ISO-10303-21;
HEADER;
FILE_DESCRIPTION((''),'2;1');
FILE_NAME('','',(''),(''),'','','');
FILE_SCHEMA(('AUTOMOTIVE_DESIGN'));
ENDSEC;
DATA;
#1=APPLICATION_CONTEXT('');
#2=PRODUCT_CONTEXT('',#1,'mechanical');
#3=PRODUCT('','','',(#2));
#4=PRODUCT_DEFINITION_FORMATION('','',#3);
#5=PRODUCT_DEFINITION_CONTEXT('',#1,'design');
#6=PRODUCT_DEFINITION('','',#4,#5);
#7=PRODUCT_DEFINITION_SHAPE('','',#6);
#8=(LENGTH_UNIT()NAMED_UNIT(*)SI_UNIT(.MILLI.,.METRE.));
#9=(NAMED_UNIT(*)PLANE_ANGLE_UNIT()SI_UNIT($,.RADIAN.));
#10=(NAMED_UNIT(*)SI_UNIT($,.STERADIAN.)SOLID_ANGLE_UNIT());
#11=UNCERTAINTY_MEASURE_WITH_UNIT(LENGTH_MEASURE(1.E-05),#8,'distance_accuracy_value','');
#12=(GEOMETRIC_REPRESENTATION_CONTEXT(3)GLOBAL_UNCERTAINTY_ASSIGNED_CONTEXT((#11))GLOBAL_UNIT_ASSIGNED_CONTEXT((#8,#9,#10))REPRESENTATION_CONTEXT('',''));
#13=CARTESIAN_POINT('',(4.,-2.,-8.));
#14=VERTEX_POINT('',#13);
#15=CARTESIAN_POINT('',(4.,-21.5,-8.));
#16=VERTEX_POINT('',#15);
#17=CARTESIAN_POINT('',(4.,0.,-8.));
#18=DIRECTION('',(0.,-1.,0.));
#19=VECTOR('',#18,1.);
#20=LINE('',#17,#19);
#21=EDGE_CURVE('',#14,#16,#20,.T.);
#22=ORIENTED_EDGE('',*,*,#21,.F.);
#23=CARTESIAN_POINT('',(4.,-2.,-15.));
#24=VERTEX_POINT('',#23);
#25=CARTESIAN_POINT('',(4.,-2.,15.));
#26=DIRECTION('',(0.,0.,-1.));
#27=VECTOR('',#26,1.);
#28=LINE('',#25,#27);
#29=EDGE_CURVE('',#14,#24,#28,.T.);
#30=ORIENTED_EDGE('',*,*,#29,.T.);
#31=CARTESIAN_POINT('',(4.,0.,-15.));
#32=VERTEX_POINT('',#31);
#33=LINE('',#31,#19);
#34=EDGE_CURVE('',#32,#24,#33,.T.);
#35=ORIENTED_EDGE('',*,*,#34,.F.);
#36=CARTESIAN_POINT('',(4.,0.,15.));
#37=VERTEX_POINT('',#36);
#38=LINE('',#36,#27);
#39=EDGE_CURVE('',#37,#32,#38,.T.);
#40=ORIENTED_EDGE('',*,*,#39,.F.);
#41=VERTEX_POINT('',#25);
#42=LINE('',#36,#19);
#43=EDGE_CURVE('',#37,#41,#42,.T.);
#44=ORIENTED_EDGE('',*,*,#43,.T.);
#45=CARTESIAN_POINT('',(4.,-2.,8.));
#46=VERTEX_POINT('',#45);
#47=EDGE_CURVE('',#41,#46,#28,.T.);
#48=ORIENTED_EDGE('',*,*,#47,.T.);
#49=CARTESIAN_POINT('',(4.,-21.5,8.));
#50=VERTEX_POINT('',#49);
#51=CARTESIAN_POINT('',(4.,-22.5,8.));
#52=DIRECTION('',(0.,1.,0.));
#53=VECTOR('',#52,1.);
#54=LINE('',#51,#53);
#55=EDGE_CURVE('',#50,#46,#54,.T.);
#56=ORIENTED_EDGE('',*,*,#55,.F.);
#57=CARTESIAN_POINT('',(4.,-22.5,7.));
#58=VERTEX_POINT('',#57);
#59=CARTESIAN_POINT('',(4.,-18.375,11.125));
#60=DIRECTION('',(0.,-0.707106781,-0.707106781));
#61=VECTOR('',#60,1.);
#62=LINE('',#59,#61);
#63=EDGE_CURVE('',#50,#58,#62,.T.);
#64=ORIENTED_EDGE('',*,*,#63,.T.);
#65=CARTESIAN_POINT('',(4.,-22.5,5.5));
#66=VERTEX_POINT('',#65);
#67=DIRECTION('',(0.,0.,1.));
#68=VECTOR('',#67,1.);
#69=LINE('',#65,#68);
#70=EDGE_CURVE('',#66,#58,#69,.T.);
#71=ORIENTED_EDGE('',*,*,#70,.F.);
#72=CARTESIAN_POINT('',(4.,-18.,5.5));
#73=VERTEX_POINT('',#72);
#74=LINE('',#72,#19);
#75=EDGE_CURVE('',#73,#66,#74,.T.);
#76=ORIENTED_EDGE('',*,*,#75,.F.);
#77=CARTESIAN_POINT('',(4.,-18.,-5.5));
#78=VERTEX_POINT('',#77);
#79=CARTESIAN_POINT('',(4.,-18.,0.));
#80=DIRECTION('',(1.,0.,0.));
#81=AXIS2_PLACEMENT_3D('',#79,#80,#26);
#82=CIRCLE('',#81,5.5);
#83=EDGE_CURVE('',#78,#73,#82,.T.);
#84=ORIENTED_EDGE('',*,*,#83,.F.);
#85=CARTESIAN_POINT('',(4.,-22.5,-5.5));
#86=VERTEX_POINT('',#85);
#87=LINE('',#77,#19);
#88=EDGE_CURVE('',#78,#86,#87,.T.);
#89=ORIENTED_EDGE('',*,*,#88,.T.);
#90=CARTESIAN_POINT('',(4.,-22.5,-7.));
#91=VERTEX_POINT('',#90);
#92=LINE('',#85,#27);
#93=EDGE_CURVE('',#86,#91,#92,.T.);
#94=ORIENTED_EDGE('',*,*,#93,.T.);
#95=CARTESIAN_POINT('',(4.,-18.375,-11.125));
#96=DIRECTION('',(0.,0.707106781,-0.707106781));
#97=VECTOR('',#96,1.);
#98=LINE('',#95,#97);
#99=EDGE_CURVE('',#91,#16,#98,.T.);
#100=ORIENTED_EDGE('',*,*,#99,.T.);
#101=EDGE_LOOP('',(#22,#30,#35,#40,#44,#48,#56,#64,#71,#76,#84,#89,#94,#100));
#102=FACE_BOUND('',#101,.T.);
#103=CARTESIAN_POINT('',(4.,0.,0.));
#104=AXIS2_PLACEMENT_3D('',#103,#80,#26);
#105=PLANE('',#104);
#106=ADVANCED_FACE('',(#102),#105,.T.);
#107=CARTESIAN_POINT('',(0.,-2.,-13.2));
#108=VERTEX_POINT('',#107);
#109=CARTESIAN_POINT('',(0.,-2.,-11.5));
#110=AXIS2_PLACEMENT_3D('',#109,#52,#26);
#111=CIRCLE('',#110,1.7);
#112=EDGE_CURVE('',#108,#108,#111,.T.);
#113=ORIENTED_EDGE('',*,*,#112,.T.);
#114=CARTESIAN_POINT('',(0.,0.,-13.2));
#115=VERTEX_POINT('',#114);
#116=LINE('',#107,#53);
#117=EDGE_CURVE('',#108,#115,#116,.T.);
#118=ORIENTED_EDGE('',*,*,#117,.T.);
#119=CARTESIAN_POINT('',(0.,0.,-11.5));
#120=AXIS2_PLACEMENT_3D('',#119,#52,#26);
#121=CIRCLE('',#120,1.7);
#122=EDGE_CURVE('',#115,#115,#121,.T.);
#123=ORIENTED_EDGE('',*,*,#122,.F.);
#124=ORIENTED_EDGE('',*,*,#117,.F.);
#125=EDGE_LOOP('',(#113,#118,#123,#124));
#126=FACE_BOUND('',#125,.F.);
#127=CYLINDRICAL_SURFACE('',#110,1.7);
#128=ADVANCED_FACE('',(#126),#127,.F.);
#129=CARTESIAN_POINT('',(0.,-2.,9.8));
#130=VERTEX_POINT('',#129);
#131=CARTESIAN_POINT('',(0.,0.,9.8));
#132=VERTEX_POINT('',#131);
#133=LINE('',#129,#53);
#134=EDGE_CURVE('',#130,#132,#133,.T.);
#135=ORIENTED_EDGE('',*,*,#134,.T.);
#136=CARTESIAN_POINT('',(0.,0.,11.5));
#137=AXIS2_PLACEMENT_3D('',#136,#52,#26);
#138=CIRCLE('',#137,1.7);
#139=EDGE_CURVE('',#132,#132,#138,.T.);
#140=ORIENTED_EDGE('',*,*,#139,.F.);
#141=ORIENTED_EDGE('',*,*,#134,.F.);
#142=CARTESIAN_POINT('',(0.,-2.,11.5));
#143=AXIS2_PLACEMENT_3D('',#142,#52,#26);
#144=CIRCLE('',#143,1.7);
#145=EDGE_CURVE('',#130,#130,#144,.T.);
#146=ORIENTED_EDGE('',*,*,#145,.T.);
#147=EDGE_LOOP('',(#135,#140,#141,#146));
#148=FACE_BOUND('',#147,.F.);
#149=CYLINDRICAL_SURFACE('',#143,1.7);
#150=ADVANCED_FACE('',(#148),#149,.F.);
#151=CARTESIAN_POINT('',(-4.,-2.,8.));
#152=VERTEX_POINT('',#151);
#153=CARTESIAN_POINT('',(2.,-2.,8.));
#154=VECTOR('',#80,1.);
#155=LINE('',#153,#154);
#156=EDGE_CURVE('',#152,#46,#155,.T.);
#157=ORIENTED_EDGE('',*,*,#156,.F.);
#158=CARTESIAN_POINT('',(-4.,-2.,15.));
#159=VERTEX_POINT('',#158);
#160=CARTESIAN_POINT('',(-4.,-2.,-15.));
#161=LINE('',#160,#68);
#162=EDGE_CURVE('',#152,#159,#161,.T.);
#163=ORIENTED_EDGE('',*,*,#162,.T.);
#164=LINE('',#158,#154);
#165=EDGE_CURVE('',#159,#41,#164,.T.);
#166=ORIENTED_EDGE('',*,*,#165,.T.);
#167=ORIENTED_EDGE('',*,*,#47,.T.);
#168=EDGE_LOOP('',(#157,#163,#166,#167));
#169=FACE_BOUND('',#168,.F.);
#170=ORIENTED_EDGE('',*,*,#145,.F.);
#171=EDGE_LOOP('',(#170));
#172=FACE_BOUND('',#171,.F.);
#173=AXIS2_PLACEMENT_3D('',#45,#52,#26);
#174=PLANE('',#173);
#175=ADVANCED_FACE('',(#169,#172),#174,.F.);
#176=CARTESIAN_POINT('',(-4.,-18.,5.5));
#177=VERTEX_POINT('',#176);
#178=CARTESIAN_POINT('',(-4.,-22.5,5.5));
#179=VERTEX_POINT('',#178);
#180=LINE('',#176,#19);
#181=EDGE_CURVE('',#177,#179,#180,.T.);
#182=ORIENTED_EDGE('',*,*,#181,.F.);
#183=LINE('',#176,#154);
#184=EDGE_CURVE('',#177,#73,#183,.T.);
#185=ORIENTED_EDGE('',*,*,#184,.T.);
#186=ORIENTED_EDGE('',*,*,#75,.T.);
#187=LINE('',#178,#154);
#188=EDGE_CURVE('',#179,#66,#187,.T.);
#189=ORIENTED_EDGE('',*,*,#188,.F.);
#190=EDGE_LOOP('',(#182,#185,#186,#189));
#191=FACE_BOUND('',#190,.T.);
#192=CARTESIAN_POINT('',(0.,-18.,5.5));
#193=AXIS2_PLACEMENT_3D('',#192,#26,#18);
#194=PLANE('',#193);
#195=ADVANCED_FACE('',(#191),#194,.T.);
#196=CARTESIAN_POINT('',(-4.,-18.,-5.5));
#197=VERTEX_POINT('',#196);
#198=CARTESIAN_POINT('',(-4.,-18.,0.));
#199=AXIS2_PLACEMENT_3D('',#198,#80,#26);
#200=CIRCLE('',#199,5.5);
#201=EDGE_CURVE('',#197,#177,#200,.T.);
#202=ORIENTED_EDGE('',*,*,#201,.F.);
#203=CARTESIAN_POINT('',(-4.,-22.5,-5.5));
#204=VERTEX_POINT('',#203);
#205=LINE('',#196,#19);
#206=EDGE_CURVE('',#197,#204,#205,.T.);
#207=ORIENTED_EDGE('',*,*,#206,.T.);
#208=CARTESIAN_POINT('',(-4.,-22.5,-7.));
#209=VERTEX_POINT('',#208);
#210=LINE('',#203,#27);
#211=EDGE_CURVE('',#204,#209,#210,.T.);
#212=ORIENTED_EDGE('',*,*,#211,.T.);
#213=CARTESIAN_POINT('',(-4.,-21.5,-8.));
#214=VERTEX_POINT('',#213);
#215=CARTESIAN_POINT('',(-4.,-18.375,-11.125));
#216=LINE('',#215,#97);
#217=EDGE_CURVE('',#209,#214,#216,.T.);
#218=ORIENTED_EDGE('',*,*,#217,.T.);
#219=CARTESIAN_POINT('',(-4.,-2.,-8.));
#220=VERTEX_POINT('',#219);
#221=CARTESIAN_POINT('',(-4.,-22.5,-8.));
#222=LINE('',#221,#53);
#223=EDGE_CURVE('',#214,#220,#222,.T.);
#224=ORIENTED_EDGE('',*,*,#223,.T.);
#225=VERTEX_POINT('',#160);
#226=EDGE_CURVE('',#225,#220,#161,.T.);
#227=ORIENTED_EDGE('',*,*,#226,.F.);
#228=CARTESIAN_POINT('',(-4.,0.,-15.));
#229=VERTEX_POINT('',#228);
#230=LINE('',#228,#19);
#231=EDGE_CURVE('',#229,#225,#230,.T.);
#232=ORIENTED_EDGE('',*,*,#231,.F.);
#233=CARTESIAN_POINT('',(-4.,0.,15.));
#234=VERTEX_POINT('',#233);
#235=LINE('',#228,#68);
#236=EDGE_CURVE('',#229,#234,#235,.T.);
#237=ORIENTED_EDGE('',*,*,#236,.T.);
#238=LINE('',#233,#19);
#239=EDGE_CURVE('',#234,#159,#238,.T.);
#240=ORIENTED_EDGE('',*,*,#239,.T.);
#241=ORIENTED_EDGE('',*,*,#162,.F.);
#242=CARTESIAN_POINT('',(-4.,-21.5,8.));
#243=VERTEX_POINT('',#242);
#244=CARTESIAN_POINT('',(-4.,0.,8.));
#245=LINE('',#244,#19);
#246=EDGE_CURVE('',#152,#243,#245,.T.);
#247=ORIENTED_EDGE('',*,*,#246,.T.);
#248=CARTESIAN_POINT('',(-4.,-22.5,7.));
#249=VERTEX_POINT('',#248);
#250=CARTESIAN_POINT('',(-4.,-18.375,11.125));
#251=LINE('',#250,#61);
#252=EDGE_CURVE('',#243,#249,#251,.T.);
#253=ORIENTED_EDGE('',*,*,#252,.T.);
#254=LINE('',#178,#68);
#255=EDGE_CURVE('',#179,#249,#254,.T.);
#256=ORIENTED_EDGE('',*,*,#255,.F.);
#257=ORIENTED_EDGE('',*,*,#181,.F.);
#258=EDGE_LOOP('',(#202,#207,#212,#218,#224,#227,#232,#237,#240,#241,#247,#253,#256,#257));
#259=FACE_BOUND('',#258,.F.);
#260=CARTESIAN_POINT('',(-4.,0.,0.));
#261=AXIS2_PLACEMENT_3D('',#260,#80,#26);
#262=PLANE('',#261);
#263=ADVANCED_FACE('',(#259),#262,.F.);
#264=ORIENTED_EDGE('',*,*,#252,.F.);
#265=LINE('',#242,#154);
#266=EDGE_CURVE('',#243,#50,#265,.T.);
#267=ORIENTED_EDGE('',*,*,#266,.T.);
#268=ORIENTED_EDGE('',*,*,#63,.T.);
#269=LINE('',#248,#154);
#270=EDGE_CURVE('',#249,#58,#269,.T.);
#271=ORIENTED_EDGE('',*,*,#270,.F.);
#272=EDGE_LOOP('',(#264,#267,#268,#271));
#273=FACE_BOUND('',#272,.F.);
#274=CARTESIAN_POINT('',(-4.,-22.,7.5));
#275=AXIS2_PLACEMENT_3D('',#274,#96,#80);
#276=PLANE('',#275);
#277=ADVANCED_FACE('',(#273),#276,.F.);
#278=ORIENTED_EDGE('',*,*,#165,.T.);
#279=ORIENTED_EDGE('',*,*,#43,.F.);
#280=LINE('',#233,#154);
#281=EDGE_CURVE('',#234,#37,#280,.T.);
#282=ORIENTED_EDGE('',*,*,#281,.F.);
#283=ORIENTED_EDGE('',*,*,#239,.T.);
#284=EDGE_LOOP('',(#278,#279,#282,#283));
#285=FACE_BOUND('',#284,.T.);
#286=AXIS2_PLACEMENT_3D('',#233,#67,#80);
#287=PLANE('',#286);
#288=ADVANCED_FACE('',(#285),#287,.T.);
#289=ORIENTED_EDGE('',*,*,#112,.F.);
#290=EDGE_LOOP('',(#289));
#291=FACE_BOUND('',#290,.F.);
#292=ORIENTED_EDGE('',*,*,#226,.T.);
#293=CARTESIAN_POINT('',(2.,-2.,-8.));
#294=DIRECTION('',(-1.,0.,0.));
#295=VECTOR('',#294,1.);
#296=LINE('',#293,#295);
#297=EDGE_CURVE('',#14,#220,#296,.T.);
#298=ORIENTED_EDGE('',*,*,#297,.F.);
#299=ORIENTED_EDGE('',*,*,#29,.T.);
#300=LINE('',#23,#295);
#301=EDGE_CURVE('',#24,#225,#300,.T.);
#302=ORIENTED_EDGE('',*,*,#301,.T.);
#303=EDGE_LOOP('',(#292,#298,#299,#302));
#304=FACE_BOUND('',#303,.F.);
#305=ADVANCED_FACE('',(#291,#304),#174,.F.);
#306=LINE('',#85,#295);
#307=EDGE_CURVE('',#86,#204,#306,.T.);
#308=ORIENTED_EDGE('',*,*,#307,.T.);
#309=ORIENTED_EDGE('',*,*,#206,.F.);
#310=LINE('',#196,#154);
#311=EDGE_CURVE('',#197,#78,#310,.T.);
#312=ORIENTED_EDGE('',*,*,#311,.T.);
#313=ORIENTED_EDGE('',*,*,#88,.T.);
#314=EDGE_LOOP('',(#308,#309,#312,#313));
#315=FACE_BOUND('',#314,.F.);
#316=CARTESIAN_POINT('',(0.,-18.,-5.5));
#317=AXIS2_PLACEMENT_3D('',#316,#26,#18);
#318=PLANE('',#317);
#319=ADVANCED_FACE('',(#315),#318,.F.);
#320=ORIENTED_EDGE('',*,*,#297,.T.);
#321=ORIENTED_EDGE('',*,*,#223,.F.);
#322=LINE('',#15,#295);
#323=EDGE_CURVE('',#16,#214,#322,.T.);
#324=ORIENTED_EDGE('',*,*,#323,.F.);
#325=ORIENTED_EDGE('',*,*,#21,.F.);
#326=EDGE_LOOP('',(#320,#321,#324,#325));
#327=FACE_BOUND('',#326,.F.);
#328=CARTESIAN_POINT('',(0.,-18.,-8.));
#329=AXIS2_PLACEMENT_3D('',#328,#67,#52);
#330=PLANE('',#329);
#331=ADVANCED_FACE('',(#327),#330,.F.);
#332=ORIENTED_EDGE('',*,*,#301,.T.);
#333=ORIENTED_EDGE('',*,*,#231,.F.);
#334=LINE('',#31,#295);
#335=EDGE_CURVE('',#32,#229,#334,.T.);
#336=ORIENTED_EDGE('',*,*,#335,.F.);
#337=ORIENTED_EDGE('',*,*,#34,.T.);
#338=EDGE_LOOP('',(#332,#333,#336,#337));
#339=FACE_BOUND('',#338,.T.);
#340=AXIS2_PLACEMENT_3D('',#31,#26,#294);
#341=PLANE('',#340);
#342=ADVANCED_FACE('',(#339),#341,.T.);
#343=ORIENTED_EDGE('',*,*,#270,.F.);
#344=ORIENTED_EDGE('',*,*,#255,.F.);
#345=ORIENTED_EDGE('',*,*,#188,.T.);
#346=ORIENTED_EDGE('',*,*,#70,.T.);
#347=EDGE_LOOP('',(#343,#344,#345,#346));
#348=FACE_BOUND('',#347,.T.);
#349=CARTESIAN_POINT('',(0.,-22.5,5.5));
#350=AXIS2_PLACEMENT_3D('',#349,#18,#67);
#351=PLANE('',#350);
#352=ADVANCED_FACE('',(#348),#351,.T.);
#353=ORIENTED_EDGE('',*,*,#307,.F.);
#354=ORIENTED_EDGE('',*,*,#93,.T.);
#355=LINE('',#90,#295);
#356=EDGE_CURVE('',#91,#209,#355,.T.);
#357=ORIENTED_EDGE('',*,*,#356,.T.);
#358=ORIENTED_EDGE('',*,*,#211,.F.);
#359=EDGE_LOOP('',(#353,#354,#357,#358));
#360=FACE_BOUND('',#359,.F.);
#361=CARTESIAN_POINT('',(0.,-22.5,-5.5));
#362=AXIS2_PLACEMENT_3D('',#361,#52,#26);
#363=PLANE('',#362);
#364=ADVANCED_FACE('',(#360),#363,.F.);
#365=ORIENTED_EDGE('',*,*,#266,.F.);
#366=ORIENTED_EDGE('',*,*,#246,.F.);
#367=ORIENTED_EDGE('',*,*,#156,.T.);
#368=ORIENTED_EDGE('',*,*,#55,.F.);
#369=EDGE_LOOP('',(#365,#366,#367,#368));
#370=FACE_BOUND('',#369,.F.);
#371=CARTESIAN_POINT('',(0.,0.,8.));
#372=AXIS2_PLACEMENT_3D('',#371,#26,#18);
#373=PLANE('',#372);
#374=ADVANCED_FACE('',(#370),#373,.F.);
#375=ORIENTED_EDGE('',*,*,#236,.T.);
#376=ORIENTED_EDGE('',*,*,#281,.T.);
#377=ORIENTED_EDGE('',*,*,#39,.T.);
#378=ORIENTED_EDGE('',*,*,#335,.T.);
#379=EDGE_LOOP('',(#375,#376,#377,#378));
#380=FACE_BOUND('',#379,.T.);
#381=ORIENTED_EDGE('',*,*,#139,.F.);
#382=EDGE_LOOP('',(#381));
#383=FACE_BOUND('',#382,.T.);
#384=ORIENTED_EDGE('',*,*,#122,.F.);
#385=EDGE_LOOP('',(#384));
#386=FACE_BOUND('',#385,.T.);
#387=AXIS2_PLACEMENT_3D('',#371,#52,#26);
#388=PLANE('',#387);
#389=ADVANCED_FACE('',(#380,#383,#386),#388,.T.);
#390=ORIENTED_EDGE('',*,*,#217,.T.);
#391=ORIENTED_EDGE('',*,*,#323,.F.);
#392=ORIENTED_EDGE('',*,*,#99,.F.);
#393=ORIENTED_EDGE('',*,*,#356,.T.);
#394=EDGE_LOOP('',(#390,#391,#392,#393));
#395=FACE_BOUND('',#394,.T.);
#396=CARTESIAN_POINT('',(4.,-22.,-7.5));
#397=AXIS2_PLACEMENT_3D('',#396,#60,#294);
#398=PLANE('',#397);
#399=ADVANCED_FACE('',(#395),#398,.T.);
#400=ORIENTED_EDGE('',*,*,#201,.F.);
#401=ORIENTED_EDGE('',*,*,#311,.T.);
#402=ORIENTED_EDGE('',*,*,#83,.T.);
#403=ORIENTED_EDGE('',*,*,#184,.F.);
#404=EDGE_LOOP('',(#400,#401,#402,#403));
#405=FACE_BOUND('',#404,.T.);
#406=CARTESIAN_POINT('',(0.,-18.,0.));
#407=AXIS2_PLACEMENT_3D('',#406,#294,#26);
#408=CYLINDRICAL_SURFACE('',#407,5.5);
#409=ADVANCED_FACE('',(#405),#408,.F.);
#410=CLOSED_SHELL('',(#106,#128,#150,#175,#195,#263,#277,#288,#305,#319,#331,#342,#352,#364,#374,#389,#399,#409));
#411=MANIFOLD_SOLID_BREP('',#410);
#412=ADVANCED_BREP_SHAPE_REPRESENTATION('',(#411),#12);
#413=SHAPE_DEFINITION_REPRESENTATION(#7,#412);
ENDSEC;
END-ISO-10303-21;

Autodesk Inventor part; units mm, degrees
ref_plane "YZ Plane" through (0, 0, 0) normal (1, 0, 0) x (0, 1, 0)
ref_plane "XZ Plane" through (0, 0, 0) normal (0, 1, 0) x (-1, 0, 0)
ref_plane "XY Plane" through (0, 0, 0) normal (0, 0, 1) x (1, 0, 0)
sketch "Sketch2" plane through (0, 0, 0) normal (1, 0, 0) x (0, 0, -1)
  line L0 (0, 0) -> (0, -18) construction
  line L1 (-8, 0) -> (-8, -18)
  line L2 (8, -18) -> (8, 0)
  arc A0 (8, 0) -> (-8, 0) centre (0, 0) ccw construction
  arc A1 (-8, -18) -> (8, -18) centre (0, -18) ccw construction
  arc A2 (5.5, -18) -> (-5.5, -18) centre (0, -18) ccw
  circle A3 centre (0, -18) radius 4.5 construction
  line L3 (-8, 0) -> (8, 0)
  line L4 (8, -18) -> (5.5, -18)
  arc A4 (-5.5, -18) -> (0, -23.5) centre (0, -18) ccw construction
  arc A5 (0, -23.5) -> (5.5, -18) centre (0, -18) ccw construction
  line L5 (-5.5, -18) -> (-8, -18)
  line L6 (5.5, -18) -> (-5.5, -18) construction
  line L7 (8, -18) -> (5.5, -18)
  line L8 (5.5, -18) -> (5.5, -22.5)
  line L9 (5.5, -22.5) -> (8, -22.5)
  line L10 (8, -22.5) -> (8, -18)
  line L11 (-8, -18) -> (-5.5, -18)
  line L12 (-5.5, -18) -> (-5.5, -22.5)
  line L13 (-5.5, -22.5) -> (-8, -22.5)
  line L14 (-8, -22.5) -> (-8, -18)
  point P0 (0, -9)
  dimension "d2" = 2.5
  dimension "d3" = 9
  dimension "d4" = 1
  dimension "d5" = 18
  dimension "d18" = 4.5
extrude "Extrusion1" add sketch "Sketch2" along normal mid plane 8
sketch "Sketch3" plane through (4, 0, 8) normal (0, 1, 0) x (0, 0, -1)
  line L0 (-7, 0) -> (23, 0)
  line L1 (23, 0) -> (23, 8)
  line L2 (23, 8) -> (-7, 8)
  line L3 (-7, 8) -> (-7, 0)
  line L4 (-7, 0) -> (23, 8) construction
  line L5 (23, 0) -> (-7, 8) construction
  line L6 (0, 8) -> (16, 8) projected
  line L7 (0, 8) -> (0, 0) projected
  point P0 (8, 4)
  dimension "d8" = 7
extrude "Extrusion2" add sketch "Sketch3" against normal blind 2
sketch "Sketch4" plane through (4, -2, 8) normal (0, -1, 0) x (0, 0, -1)
  line L0 (23, 0) -> (23, -8) projected
  line L1 (23, -8) -> (16, -8) projected
  line L2 (16, -8) -> (0, -8) projected
  line L3 (0, -8) -> (0, 0) projected
  line L4 (-7, 0) -> (0, 0) projected
  line L5 (-7, -8) -> (-7, 0) projected
  line L6 (0, -8) -> (-7, -8) projected
  line L7 (16, 0) -> (23, 0) projected
  line L8 (16, 0) -> (16, -8) projected
  line L9 (0, 0) -> (16, 0) projected
  point P0 (19.5, -4)
  point P1 (19.5, -8)
  point P2 (23, -4)
  point P3 (-3.5, -4)
  point P4 (-7, -4)
  point P5 (-3.5, -8)
hole "Hole1" at (0, -2, -11.5) at (0, -2, 11.5) direction (0, 1, 0) diameter 3.4 end through all
chamfer "Chamfer1" distance 1 angle 45 2 edges at (0, -22.5, -8) (0, -22.5, 8)
equation "\"d18\" = 0.5 * d3"
properties part number "differential stopper"
